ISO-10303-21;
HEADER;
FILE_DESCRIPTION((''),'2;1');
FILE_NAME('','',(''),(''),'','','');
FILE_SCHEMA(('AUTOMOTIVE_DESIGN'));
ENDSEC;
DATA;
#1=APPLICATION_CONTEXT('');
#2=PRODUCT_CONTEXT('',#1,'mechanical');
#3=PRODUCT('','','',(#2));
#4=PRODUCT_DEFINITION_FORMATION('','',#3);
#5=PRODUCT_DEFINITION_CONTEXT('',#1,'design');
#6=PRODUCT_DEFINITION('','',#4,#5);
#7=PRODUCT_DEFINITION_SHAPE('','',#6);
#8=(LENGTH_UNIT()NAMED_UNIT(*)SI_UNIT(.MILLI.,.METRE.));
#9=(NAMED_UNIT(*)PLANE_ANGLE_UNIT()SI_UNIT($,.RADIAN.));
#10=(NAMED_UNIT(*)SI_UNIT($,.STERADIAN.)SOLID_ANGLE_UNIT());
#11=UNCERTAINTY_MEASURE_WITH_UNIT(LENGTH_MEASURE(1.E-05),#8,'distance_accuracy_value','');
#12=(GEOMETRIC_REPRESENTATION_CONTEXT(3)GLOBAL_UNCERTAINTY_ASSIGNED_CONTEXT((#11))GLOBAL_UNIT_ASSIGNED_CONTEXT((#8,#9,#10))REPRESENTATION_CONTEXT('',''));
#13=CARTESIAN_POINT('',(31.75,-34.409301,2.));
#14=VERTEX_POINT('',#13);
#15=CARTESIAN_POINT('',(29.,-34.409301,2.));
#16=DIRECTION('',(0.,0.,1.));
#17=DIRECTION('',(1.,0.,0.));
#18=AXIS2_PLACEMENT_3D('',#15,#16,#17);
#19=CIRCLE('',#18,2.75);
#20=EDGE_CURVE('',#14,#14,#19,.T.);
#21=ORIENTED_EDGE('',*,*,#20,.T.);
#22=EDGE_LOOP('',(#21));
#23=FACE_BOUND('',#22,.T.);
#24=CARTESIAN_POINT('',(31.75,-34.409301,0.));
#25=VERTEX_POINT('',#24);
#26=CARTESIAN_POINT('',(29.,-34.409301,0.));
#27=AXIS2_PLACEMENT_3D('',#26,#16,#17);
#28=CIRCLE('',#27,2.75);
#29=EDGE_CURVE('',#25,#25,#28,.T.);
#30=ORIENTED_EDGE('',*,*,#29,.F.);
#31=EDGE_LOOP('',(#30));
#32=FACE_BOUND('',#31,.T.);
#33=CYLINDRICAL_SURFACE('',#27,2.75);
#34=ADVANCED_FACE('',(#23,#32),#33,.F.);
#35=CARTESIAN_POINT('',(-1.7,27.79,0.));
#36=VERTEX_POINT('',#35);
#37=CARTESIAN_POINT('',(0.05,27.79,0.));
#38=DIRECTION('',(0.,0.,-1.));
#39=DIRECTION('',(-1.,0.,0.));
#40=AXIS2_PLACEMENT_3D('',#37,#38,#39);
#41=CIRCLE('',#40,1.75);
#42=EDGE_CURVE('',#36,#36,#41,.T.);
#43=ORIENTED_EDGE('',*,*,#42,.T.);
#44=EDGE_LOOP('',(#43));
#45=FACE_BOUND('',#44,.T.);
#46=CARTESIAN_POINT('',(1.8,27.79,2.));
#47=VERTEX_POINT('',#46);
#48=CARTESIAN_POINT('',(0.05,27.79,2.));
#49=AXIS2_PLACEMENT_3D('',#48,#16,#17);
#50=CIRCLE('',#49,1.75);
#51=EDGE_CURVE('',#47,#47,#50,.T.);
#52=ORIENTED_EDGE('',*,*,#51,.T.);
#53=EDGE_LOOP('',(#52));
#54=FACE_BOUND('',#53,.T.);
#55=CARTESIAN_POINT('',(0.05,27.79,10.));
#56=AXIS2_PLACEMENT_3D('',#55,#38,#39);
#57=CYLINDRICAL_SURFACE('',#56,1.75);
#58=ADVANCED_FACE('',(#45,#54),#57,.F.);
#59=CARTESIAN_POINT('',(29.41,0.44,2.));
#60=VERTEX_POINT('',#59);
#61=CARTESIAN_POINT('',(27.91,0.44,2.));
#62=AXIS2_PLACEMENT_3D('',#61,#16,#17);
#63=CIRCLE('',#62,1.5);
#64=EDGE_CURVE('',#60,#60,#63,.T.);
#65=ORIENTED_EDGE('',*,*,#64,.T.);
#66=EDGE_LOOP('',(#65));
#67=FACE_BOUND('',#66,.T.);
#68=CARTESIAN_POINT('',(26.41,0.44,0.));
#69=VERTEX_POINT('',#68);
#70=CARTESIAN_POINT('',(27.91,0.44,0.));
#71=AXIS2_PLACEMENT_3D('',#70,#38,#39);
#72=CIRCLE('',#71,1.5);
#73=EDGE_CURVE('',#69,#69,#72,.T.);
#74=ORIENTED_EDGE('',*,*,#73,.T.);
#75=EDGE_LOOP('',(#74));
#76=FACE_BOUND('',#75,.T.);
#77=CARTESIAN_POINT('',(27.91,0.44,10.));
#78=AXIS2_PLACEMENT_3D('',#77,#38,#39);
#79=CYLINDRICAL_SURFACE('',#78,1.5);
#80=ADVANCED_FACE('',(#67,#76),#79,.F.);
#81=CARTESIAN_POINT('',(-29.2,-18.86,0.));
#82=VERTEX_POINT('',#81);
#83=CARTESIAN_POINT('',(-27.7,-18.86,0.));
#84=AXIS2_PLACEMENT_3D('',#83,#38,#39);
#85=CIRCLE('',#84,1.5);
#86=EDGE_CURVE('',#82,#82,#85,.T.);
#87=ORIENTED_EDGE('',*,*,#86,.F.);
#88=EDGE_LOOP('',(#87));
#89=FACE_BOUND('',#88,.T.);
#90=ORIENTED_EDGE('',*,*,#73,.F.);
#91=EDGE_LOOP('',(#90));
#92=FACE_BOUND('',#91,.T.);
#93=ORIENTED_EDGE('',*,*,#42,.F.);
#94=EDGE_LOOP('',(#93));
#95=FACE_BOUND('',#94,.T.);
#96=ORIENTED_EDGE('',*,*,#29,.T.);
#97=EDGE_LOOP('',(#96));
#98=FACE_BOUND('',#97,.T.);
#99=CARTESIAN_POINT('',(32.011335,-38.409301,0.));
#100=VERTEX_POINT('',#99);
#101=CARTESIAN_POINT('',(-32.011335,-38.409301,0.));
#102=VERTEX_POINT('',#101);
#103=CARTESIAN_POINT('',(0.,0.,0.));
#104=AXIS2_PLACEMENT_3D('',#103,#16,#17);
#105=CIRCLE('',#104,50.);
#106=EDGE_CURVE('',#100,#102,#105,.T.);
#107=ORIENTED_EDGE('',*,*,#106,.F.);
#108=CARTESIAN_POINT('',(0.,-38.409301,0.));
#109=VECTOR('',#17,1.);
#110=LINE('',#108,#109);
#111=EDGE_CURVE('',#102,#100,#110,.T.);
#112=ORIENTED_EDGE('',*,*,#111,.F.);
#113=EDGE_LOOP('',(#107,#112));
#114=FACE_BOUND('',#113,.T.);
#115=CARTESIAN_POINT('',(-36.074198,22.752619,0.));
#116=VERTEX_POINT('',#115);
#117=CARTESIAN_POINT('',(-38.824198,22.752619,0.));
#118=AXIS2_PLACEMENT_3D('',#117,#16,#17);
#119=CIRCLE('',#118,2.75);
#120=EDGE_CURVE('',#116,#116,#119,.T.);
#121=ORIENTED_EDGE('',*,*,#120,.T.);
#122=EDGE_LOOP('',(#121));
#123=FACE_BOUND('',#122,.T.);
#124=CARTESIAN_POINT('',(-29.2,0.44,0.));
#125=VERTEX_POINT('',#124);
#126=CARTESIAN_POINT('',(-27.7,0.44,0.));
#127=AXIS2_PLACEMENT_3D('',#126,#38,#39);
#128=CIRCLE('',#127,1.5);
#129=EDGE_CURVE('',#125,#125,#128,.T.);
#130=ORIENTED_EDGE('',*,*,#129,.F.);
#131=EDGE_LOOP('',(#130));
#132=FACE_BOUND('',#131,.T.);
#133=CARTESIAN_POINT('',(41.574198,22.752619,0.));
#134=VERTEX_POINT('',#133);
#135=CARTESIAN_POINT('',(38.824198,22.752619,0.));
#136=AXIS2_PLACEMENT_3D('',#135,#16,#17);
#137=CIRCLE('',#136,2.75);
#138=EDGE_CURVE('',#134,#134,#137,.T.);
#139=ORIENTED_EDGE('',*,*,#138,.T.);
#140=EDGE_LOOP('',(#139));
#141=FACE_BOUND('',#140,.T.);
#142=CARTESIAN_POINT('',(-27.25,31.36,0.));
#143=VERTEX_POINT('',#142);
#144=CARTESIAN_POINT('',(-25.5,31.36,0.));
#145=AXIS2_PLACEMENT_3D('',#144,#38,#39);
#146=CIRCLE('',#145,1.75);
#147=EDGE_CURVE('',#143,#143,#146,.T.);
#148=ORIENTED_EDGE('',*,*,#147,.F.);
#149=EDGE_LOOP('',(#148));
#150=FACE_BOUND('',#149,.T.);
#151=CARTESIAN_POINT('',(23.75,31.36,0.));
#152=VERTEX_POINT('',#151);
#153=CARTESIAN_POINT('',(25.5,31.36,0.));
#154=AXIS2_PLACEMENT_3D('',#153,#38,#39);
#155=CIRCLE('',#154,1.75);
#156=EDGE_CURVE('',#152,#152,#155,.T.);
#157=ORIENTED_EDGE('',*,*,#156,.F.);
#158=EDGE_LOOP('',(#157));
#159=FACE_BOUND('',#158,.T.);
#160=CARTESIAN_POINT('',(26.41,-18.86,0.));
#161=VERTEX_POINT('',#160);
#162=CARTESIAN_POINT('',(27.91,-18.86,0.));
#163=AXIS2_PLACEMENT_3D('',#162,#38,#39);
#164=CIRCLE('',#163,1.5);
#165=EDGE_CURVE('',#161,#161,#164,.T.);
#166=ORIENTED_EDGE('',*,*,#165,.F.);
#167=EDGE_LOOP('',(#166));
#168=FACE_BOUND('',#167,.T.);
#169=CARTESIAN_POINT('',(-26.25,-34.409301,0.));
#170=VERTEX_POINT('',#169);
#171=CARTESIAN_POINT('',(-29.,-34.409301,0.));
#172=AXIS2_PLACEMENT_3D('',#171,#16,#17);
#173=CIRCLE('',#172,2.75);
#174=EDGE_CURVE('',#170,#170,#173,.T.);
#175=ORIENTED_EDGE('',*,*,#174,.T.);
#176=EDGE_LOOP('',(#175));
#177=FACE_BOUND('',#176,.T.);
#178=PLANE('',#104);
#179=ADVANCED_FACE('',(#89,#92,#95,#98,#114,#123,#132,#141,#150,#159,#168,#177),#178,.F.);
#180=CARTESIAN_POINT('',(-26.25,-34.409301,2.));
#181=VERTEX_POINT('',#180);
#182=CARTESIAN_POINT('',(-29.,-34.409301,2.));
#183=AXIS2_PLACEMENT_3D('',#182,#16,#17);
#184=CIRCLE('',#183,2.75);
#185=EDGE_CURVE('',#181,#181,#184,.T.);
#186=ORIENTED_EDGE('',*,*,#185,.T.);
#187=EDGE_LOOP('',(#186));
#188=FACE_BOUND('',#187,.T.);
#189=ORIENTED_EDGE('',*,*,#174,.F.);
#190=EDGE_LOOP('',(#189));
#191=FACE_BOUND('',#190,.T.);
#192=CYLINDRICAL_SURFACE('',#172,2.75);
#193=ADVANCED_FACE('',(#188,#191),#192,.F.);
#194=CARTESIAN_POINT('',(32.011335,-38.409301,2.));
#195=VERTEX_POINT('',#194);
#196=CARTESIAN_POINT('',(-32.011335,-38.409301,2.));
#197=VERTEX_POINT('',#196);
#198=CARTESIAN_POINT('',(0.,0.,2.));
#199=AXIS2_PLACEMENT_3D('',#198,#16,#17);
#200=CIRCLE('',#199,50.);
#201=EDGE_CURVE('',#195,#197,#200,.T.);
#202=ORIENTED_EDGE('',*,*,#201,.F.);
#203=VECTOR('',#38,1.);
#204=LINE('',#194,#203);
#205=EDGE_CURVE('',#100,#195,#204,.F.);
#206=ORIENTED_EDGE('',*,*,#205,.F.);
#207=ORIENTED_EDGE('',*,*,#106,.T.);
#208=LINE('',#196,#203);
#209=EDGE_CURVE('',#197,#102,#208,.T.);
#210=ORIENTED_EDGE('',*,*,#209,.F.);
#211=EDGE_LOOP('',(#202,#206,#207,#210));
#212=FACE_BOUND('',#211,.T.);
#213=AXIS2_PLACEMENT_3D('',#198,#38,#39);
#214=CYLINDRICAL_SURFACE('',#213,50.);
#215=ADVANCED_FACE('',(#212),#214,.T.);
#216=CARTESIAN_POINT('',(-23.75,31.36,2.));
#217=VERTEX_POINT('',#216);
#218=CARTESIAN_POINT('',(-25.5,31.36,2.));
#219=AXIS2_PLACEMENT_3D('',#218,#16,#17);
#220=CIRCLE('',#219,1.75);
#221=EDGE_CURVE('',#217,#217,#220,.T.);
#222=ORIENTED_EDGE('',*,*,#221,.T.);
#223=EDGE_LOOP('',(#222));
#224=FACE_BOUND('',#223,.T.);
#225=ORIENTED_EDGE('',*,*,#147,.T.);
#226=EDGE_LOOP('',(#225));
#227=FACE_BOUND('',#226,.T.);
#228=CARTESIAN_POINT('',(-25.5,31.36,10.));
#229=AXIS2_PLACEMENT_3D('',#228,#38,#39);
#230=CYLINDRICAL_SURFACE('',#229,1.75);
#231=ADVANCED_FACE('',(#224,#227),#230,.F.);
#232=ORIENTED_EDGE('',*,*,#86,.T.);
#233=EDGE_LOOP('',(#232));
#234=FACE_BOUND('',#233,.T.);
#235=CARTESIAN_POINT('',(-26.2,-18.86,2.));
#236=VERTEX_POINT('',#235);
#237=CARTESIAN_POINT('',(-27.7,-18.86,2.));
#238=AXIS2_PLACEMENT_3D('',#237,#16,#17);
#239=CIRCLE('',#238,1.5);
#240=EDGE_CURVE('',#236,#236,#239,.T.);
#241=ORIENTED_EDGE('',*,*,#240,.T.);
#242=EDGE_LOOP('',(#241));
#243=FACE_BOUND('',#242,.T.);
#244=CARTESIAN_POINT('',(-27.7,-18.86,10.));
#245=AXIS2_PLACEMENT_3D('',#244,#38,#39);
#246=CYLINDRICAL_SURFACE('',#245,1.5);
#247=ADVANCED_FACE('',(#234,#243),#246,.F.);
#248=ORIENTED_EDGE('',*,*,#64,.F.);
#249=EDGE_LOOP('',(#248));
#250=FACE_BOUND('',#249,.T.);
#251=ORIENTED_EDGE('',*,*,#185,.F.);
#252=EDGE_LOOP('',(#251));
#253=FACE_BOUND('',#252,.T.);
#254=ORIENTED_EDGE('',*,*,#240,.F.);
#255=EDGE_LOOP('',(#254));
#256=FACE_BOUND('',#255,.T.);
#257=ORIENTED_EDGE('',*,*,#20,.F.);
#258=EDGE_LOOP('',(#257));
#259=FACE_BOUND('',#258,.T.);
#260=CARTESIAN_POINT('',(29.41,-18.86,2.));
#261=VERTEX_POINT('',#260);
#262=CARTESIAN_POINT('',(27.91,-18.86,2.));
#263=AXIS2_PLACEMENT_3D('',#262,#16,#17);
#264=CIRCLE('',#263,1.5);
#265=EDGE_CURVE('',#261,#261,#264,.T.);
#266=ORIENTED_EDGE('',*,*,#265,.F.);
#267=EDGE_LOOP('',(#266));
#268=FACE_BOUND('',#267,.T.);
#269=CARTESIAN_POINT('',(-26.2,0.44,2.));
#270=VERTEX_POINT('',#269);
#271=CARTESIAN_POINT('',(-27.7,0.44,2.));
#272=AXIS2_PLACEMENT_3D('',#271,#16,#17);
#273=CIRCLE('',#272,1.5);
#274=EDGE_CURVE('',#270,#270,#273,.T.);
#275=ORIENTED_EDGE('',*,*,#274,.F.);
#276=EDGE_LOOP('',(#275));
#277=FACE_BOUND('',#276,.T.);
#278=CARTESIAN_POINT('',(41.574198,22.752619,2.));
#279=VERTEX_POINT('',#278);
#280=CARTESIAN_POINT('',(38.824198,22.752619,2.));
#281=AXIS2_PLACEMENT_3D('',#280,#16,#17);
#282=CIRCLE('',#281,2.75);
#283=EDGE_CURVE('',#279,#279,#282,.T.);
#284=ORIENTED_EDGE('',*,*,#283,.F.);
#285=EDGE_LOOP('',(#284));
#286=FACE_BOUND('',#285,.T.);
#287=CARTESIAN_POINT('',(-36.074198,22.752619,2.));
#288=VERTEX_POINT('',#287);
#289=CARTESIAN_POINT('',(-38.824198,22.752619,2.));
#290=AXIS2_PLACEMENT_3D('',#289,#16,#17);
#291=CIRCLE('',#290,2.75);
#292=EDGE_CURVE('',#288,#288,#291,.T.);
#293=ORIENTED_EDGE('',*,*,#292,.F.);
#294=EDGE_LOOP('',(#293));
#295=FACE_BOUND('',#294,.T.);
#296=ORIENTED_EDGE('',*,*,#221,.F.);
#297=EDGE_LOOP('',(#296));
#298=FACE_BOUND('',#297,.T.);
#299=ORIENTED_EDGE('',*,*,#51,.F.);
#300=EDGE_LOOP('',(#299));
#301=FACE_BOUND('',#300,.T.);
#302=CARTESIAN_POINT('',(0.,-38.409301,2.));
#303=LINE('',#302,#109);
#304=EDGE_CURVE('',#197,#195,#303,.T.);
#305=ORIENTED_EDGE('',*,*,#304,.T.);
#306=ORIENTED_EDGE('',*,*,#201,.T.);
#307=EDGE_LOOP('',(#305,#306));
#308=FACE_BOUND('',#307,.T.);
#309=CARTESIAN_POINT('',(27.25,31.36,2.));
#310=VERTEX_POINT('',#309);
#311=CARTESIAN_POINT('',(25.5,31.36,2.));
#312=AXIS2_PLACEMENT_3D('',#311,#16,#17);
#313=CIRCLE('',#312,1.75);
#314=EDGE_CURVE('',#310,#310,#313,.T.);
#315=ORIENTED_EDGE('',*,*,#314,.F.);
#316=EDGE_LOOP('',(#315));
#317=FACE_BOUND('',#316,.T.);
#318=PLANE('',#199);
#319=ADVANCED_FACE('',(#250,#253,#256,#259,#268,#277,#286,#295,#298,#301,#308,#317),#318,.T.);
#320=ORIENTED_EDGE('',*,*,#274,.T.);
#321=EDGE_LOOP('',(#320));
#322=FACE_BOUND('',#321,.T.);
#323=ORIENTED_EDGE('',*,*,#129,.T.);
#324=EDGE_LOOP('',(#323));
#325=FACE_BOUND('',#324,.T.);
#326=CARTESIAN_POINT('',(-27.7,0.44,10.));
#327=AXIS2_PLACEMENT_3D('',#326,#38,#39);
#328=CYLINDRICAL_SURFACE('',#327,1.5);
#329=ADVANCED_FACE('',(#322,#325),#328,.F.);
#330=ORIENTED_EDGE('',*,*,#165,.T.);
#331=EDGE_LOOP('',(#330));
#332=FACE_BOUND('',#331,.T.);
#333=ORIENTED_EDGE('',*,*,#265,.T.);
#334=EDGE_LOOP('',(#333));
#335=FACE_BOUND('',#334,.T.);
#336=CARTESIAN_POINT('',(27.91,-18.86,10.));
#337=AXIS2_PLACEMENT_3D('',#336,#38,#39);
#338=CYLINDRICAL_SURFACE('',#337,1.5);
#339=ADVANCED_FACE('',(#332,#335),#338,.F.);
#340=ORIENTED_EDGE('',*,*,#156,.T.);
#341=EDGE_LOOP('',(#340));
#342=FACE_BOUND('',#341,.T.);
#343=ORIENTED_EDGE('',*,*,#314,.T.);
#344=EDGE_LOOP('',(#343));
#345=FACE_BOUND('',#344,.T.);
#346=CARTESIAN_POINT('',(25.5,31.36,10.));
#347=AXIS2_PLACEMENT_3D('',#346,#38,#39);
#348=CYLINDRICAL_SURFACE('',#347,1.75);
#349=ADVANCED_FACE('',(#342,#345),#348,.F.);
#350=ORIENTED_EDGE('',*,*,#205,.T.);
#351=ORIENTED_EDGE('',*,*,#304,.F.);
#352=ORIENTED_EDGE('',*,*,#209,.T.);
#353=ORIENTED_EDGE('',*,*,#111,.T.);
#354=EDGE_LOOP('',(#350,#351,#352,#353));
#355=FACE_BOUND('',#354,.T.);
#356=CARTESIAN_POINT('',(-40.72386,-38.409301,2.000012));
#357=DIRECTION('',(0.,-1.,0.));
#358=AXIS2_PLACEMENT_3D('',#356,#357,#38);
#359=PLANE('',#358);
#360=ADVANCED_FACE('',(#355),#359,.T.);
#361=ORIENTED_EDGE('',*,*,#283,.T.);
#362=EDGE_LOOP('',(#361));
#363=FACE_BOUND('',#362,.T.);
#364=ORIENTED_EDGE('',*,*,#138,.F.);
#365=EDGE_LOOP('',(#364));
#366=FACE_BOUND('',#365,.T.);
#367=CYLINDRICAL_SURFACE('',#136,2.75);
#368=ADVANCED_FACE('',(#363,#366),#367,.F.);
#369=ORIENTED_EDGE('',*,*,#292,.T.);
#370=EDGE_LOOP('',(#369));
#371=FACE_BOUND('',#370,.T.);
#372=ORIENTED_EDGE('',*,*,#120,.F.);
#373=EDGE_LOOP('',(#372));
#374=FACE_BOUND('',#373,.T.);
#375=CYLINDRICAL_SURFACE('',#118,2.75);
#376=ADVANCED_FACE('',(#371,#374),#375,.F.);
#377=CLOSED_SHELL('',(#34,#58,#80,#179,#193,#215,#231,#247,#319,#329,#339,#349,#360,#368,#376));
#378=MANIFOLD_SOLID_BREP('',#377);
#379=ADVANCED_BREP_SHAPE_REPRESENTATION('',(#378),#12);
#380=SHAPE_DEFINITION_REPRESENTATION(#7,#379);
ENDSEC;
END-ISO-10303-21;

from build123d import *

# Parameters (mm, degrees)
ESBO_O1_R                  = 50
RESSALTO_EXTRUS_O1_DEPTH   = 2
ESBO_O2_R                  = 2.75
CORTE_EXTRUS_O1_DEPTH      = 2
CORTE_EXTRUS_O2_DEPTH      = 1
CORTE_EXTRUS_O2_DEPTH_BACK = 10
ESBO_O5_R                  = 1.5
ESBO_O5_R_2                = 1.75
CORTE_EXTRUS_O3_DEPTH      = 10


with BuildPart() as part:
    # Esboço1 → Ressalto-extrusão1 (new body)
    with BuildSketch(Plane.XY):
        Circle(ESBO_O1_R)
    extrude(amount=RESSALTO_EXTRUS_O1_DEPTH)

    # Esboço2 → Corte-extrusão1 (cut)
    with BuildSketch(Plane.XY.offset(2)):
        with Locations((-29, -34.409301068)):
            Circle(ESBO_O2_R)
        with Locations((29, -34.409301068)):
            Circle(ESBO_O2_R)
        with Locations((-38.824197531, 22.752619324)):
            Circle(ESBO_O2_R)
        with Locations((38.824197531, 22.752619324)):
            Circle(ESBO_O2_R)
    extrude(amount=-CORTE_EXTRUS_O1_DEPTH, mode=Mode.SUBTRACT)

    # Esboço4 → Corte-extrusão2 (cut, two sides)
    with BuildSketch(Plane.XY.offset(2)) as corte_extrus_o2_sk:
        Polygon((-40.723859979, -38.409301068), (44.57073926, -38.409301068), (1.923439641, -68.002213614), align=None)
    extrude(amount=CORTE_EXTRUS_O2_DEPTH, mode=Mode.SUBTRACT)
    extrude(corte_extrus_o2_sk.sketch, amount=-CORTE_EXTRUS_O2_DEPTH_BACK, mode=Mode.SUBTRACT)

    # Esboço5 → Corte-extrusão3 (cut)
    with BuildSketch(Plane(origin=(0, 0, 0), x_dir=(-1, 0, 0), z_dir=(0, 0, -1))):
        with Locations((-27.91, -18.86)):
            Circle(ESBO_O5_R)
        with Locations((27.7, -18.86)):
            Circle(ESBO_O5_R)
        with Locations((27.7, 0.44)):
            Circle(ESBO_O5_R)
        with Locations((-27.91, 0.44)):
            Circle(ESBO_O5_R)
        with Locations((25.5, 31.36)):
            Circle(ESBO_O5_R_2)
        with Locations((-0.05, 27.79)):
            Circle(ESBO_O5_R_2)
        with Locations((-25.5, 31.36)):
            Circle(ESBO_O5_R_2)
    extrude(amount=-CORTE_EXTRUS_O3_DEPTH, mode=Mode.SUBTRACT)


solid = part.part
